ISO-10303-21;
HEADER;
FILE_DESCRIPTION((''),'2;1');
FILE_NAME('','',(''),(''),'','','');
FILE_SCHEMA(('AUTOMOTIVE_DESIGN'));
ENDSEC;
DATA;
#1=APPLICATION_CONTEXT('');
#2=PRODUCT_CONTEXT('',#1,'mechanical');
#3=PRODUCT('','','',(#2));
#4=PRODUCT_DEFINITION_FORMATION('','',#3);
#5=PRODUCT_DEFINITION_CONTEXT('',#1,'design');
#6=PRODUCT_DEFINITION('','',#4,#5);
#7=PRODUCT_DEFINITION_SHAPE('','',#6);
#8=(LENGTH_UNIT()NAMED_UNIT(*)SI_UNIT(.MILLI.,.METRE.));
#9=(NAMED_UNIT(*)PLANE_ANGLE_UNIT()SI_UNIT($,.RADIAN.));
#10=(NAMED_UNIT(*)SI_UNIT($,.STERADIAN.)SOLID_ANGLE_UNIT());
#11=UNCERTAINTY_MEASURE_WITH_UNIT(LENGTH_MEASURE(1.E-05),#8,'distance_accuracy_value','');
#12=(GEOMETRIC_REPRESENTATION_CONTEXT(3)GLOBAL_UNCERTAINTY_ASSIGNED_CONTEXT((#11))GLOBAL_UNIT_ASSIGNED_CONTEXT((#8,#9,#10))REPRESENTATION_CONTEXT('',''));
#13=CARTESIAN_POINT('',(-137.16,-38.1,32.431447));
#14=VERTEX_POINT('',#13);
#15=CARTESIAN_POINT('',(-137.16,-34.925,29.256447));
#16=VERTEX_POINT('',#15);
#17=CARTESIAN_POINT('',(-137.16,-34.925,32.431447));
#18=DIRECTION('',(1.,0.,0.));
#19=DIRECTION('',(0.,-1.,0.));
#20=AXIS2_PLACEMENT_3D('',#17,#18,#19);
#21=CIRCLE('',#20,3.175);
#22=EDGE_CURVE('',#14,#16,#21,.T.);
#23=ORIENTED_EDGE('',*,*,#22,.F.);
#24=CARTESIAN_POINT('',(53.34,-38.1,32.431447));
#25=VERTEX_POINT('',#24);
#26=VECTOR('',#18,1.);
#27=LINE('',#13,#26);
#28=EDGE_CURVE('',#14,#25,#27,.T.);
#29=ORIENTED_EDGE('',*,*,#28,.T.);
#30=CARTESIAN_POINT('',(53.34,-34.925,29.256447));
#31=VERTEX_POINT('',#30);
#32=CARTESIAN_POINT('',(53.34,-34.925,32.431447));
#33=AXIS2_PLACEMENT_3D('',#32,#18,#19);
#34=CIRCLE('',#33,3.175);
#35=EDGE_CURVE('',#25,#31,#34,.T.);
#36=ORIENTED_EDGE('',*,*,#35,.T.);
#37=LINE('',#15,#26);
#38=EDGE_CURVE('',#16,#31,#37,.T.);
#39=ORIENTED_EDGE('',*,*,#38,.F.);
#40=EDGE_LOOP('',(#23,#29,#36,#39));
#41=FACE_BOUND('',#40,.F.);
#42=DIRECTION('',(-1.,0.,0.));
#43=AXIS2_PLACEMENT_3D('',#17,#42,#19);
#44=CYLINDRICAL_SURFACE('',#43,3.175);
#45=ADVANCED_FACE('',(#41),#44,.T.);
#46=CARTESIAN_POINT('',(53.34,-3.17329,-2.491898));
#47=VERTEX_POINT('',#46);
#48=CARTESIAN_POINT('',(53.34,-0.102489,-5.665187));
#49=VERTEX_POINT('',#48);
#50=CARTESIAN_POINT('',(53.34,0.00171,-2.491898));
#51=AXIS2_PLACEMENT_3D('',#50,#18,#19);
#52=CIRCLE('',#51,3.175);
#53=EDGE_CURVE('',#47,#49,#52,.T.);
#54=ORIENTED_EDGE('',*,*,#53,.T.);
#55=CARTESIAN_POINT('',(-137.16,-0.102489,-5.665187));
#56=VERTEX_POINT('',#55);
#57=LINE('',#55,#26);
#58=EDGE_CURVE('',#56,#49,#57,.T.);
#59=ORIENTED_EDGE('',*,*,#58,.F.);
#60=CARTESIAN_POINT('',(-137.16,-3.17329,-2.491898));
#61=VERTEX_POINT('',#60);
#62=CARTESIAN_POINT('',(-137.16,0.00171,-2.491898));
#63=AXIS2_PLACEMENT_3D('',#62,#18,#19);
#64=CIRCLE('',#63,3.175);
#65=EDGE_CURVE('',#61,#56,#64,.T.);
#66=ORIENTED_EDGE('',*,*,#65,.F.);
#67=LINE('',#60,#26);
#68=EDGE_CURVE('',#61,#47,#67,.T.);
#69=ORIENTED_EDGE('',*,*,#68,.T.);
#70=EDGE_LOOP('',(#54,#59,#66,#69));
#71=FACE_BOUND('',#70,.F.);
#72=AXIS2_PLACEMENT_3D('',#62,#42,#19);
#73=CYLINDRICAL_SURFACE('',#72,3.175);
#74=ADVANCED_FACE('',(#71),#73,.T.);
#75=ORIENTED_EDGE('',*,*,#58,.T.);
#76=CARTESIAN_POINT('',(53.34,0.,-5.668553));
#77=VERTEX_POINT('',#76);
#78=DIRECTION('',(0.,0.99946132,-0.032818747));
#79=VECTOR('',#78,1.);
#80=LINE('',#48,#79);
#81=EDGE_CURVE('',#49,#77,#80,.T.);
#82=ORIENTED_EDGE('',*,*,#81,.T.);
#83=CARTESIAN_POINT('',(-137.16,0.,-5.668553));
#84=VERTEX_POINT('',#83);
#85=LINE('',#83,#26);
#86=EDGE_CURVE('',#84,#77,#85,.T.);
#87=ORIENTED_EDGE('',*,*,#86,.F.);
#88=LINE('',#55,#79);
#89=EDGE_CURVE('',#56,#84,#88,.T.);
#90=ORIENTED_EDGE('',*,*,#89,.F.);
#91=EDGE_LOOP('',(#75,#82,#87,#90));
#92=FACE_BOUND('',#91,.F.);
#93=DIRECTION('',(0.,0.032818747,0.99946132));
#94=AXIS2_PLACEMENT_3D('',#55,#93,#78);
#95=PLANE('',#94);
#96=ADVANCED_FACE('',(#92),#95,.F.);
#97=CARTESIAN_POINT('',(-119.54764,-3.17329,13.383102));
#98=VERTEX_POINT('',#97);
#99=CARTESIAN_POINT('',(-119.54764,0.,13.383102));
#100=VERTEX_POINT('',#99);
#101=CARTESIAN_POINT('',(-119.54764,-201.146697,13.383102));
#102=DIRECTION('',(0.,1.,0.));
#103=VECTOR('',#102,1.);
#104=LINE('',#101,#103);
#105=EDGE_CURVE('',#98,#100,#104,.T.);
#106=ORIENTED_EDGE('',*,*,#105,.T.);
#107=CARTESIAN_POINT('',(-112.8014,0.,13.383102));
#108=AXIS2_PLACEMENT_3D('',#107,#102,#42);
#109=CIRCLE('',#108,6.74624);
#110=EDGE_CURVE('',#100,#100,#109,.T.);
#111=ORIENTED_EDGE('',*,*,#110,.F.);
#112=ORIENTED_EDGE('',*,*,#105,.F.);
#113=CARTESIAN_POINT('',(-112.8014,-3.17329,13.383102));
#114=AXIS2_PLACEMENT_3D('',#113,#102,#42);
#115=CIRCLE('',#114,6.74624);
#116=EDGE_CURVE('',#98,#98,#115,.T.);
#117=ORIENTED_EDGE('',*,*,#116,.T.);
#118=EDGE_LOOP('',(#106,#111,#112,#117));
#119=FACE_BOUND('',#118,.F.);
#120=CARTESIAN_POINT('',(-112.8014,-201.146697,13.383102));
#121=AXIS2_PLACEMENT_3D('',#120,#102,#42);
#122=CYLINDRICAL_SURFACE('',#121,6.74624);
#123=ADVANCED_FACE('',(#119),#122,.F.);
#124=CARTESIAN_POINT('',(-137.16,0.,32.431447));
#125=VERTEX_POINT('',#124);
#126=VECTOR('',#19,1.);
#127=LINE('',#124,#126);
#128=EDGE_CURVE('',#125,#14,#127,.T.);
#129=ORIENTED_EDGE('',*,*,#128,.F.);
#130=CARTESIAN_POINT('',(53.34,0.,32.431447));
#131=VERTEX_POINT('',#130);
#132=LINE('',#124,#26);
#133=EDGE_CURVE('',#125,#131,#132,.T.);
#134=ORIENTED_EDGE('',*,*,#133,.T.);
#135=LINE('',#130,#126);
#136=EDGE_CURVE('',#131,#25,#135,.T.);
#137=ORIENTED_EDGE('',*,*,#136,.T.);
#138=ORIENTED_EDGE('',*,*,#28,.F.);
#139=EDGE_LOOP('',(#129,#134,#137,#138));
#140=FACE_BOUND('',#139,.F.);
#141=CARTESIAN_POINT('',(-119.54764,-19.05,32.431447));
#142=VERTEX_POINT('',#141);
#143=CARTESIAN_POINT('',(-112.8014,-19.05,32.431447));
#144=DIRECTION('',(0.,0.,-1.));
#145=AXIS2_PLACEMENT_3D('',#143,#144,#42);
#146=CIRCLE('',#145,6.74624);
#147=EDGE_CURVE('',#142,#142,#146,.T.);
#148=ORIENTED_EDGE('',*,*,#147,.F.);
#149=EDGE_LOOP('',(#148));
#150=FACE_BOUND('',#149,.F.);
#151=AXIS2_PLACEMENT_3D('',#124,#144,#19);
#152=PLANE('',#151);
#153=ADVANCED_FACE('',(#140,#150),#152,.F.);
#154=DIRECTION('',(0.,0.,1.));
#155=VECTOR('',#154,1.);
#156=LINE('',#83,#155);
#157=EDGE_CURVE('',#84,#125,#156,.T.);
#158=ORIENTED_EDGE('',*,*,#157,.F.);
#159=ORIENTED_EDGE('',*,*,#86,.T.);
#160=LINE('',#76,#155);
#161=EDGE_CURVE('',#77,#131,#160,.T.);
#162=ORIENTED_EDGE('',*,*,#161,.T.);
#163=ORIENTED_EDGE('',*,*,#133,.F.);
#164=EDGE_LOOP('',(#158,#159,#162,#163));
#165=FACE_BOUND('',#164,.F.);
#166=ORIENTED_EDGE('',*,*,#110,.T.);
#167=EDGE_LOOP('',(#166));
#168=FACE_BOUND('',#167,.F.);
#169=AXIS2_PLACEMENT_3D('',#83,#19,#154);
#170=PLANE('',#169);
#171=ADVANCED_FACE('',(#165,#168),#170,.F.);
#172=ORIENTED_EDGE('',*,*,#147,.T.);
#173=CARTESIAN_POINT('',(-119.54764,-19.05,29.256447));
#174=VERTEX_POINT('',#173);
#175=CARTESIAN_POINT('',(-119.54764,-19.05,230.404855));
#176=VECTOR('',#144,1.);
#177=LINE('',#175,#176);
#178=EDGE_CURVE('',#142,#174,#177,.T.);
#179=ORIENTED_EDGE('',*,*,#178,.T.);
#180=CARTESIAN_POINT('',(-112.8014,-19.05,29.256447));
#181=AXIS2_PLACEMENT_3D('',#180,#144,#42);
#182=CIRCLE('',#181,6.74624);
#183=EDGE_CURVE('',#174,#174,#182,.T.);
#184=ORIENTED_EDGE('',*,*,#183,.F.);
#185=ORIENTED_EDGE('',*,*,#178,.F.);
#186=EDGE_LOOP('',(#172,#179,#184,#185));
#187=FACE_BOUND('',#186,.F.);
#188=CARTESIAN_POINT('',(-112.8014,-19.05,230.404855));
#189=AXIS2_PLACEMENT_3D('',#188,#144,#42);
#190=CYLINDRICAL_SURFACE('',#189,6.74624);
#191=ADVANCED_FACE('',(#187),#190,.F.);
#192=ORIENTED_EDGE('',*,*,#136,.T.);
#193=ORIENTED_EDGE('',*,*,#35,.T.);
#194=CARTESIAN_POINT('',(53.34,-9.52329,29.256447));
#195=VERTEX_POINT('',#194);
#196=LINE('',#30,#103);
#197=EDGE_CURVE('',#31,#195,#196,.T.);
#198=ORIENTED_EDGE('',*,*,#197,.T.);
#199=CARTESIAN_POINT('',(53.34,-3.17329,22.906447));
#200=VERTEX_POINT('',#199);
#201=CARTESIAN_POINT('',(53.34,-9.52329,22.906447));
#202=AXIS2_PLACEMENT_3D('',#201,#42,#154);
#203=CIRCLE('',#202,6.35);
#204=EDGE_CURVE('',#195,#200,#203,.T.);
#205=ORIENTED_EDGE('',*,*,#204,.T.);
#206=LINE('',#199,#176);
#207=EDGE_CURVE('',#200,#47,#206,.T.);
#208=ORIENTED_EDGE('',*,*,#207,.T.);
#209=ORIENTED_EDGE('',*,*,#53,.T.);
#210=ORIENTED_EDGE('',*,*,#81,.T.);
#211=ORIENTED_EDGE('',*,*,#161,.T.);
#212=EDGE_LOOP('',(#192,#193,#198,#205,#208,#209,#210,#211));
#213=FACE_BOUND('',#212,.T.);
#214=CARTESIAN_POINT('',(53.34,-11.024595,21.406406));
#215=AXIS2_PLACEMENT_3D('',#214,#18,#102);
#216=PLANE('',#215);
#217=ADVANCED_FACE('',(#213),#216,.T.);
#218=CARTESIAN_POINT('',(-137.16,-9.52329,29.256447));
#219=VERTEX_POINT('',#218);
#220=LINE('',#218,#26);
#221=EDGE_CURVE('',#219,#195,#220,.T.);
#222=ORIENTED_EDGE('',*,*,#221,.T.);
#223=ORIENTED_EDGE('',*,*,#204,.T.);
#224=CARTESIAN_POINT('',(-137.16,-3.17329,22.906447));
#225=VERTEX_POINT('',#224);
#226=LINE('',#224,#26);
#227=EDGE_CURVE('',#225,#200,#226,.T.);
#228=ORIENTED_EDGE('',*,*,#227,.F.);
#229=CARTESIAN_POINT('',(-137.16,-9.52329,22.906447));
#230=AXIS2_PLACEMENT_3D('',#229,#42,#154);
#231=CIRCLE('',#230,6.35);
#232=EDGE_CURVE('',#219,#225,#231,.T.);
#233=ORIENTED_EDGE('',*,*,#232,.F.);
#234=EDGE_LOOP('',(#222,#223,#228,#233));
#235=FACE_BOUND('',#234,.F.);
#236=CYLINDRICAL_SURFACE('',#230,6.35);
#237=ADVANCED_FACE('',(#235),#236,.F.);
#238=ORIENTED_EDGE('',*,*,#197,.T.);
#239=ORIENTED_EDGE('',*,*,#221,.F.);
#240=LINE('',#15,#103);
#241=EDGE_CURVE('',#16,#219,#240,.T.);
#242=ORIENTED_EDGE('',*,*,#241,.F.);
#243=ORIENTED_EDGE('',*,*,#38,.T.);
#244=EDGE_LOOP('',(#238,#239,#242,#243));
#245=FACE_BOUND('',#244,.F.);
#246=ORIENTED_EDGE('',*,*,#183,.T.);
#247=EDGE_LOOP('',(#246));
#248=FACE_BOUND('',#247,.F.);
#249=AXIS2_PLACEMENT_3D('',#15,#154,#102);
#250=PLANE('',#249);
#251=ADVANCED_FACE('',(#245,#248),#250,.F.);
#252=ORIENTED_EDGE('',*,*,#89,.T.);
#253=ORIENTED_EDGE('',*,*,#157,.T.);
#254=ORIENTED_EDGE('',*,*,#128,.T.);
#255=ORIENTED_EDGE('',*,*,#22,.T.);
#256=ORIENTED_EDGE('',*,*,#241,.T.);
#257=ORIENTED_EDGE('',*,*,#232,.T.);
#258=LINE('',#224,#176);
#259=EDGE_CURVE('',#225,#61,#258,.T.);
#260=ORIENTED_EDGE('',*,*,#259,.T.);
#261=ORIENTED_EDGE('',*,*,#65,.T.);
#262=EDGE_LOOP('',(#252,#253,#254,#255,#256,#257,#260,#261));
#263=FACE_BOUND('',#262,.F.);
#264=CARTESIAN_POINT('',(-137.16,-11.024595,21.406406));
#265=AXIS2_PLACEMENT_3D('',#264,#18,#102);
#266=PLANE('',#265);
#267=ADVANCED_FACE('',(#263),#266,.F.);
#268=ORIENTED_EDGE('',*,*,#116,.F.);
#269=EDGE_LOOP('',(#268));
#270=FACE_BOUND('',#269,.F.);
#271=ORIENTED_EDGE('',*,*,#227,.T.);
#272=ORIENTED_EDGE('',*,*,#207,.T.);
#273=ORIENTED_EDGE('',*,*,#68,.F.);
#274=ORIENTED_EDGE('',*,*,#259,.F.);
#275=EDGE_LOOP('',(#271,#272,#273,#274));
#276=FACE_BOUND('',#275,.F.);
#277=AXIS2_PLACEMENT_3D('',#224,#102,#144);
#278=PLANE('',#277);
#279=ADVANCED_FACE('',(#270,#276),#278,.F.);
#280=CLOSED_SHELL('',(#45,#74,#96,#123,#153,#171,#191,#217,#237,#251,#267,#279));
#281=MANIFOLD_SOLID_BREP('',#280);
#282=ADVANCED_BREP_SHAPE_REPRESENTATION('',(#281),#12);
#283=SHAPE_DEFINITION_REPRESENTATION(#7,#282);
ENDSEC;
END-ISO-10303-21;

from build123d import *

# Parameters (mm, degrees)
F1_DEPTH = 190.5
F5_D     = 13.49248
F6_D     = 13.49248


with BuildPart() as f1:
    # F0 (on Right) → F1 (new body)
    with BuildSketch(Plane.YZ):
        with BuildLine():
            Line((-0.1024892145, -7.1891873267), (0, -7.1925527072))
            Line((0, -7.1925527072), (0, 30.9074472928))
            Line((0, 30.9074472928), (-38.1, 30.9074472928))
            ThreePointArc((-38.1, 30.9074472928), (-37.1700640303, 28.6623832625), (-34.925, 27.7324472928))
            Line((-34.925, 27.7324472928), (-9.5232896904, 27.7324472928))
            ThreePointArc((-9.5232896904, 27.7324472928), (-5.0331616299, 25.8725753533), (-3.1732896904, 21.3824472928))
            Line((-3.1732896904, 21.3824472928), (-3.1732896904, -4.0158976363))
            ThreePointArc((-3.1732896904, -4.0158976363), (-2.2798964147, -6.223814246), (-0.1024892145, -7.1891873267))
        make_face()
    extrude(amount=F1_DEPTH)


with BuildPart() as f1_1:
    # F2: moved
    add(f1.part.moved(Location((-137.16, 0, 1.524))))

    # F5 (through all)
    with Locations(Plane.XY.offset(32.4314472928)):
        with Locations((-112.8014, -19.05)):
            Hole(F5_D / 2)

    # F6 (through all)
    with Locations(Plane.XZ.offset(3.1732896904)):
        with Locations((-112.8014, 13.3831023637)):
            Hole(F6_D / 2)


solid = f1_1.part
